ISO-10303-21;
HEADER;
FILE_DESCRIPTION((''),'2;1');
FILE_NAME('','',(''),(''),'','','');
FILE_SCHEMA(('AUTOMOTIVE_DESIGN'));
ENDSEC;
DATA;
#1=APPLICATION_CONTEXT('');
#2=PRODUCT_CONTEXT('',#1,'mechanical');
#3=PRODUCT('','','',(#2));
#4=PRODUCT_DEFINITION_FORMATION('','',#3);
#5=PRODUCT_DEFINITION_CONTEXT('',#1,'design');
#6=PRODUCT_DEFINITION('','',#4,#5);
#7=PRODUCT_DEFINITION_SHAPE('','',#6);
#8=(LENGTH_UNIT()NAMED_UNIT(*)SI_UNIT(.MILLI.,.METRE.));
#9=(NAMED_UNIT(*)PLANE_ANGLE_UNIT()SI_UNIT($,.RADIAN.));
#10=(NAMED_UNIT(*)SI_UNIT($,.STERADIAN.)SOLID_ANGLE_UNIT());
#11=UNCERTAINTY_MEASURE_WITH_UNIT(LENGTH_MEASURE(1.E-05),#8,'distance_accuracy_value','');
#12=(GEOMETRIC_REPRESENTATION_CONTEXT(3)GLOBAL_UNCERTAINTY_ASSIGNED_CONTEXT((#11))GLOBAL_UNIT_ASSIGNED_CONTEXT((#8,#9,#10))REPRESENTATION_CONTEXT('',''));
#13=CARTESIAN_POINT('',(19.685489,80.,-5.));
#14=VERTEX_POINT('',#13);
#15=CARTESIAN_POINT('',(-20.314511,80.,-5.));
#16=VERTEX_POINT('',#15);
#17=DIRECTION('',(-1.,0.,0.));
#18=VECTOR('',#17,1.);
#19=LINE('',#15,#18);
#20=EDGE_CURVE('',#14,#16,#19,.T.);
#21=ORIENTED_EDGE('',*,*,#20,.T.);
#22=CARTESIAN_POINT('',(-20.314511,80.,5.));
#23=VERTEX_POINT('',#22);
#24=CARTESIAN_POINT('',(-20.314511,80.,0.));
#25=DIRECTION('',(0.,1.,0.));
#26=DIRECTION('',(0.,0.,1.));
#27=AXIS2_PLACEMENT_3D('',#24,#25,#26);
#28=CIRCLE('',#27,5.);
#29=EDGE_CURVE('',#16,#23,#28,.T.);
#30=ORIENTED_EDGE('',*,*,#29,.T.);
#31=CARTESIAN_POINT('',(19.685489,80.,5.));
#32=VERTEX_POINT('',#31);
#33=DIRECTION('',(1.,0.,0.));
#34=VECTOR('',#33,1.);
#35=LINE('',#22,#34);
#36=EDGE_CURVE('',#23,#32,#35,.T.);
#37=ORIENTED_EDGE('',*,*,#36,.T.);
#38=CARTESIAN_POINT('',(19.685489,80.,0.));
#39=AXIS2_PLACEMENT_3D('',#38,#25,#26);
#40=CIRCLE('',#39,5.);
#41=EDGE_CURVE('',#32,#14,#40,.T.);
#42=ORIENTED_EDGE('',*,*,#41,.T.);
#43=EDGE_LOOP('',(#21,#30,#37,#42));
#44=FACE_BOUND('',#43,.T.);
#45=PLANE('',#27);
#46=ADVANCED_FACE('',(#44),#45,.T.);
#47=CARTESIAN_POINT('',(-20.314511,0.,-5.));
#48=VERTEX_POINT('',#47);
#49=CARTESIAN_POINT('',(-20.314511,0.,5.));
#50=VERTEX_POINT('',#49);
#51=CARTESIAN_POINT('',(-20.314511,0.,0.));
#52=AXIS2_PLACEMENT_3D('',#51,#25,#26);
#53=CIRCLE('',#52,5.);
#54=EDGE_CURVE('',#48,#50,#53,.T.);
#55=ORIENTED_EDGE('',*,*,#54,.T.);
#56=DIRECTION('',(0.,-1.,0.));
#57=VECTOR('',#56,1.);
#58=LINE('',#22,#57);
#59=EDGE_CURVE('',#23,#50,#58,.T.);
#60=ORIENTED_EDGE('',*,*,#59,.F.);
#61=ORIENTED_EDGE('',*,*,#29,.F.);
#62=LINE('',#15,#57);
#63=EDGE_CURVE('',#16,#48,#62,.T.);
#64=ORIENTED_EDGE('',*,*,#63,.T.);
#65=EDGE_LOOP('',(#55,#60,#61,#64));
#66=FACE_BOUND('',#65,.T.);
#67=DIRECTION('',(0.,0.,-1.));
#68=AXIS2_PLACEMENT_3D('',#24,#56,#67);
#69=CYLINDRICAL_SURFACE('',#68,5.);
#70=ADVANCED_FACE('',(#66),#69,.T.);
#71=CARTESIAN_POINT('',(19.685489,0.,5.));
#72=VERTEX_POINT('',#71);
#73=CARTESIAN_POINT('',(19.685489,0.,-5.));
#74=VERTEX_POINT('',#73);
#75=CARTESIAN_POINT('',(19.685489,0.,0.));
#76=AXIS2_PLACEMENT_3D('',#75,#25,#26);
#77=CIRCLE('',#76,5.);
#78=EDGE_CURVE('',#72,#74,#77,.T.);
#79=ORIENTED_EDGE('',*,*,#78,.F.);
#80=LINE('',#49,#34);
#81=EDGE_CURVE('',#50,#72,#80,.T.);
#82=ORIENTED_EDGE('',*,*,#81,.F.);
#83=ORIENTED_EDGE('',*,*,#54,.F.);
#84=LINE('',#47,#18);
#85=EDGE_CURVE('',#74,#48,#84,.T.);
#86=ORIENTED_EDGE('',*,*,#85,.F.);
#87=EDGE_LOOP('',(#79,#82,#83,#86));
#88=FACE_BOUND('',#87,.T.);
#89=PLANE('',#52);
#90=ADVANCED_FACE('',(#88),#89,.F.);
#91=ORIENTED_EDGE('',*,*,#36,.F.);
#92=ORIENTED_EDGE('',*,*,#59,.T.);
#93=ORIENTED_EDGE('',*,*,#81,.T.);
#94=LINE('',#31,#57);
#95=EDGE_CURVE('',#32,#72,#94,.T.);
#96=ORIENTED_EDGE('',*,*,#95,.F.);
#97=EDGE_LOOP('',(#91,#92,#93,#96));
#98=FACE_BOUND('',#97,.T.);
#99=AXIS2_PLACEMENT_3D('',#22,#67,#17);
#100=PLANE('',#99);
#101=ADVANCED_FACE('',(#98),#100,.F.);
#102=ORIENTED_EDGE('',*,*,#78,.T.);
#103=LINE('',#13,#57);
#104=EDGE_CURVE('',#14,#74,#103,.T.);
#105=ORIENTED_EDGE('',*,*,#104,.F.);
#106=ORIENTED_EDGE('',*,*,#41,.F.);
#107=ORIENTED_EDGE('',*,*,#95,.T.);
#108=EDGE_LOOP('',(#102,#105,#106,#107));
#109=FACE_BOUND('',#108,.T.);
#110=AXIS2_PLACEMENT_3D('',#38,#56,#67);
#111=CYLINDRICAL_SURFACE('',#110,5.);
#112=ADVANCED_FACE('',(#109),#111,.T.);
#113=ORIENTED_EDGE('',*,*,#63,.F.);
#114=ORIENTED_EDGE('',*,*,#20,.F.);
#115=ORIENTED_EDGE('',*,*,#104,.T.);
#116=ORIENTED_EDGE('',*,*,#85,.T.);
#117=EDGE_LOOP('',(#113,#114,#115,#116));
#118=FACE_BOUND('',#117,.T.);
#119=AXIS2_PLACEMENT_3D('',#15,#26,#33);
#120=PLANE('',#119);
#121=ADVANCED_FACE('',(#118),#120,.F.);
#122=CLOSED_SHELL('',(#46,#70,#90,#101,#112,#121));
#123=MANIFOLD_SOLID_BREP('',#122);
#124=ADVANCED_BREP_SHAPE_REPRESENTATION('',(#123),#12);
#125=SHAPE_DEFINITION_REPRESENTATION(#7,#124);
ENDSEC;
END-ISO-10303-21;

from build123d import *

# Parameters (mm, degrees)
Y_KSEKLIK_EKSTR_ZYON1_DEPTH = 80


with BuildPart() as part:
    # Çizim2 → Yükseklik-Ekstrüzyon1 (new body)
    with BuildSketch(Plane(origin=(0, 0, 0), x_dir=(1, 0, 0), z_dir=(0, 1, 0))):
        with BuildLine():
            Line((-20.314511213, 5), (19.685488787, 5))
            ThreePointArc((19.685488787, 5), (24.685488787, 0), (19.685488787, -5))
            Line((19.685488787, -5), (-20.314511213, -5))
            ThreePointArc((-20.314511213, -5), (-25.314511213, 0), (-20.314511213, 5))
        make_face()
    extrude(amount=Y_KSEKLIK_EKSTR_ZYON1_DEPTH)


solid = part.part
